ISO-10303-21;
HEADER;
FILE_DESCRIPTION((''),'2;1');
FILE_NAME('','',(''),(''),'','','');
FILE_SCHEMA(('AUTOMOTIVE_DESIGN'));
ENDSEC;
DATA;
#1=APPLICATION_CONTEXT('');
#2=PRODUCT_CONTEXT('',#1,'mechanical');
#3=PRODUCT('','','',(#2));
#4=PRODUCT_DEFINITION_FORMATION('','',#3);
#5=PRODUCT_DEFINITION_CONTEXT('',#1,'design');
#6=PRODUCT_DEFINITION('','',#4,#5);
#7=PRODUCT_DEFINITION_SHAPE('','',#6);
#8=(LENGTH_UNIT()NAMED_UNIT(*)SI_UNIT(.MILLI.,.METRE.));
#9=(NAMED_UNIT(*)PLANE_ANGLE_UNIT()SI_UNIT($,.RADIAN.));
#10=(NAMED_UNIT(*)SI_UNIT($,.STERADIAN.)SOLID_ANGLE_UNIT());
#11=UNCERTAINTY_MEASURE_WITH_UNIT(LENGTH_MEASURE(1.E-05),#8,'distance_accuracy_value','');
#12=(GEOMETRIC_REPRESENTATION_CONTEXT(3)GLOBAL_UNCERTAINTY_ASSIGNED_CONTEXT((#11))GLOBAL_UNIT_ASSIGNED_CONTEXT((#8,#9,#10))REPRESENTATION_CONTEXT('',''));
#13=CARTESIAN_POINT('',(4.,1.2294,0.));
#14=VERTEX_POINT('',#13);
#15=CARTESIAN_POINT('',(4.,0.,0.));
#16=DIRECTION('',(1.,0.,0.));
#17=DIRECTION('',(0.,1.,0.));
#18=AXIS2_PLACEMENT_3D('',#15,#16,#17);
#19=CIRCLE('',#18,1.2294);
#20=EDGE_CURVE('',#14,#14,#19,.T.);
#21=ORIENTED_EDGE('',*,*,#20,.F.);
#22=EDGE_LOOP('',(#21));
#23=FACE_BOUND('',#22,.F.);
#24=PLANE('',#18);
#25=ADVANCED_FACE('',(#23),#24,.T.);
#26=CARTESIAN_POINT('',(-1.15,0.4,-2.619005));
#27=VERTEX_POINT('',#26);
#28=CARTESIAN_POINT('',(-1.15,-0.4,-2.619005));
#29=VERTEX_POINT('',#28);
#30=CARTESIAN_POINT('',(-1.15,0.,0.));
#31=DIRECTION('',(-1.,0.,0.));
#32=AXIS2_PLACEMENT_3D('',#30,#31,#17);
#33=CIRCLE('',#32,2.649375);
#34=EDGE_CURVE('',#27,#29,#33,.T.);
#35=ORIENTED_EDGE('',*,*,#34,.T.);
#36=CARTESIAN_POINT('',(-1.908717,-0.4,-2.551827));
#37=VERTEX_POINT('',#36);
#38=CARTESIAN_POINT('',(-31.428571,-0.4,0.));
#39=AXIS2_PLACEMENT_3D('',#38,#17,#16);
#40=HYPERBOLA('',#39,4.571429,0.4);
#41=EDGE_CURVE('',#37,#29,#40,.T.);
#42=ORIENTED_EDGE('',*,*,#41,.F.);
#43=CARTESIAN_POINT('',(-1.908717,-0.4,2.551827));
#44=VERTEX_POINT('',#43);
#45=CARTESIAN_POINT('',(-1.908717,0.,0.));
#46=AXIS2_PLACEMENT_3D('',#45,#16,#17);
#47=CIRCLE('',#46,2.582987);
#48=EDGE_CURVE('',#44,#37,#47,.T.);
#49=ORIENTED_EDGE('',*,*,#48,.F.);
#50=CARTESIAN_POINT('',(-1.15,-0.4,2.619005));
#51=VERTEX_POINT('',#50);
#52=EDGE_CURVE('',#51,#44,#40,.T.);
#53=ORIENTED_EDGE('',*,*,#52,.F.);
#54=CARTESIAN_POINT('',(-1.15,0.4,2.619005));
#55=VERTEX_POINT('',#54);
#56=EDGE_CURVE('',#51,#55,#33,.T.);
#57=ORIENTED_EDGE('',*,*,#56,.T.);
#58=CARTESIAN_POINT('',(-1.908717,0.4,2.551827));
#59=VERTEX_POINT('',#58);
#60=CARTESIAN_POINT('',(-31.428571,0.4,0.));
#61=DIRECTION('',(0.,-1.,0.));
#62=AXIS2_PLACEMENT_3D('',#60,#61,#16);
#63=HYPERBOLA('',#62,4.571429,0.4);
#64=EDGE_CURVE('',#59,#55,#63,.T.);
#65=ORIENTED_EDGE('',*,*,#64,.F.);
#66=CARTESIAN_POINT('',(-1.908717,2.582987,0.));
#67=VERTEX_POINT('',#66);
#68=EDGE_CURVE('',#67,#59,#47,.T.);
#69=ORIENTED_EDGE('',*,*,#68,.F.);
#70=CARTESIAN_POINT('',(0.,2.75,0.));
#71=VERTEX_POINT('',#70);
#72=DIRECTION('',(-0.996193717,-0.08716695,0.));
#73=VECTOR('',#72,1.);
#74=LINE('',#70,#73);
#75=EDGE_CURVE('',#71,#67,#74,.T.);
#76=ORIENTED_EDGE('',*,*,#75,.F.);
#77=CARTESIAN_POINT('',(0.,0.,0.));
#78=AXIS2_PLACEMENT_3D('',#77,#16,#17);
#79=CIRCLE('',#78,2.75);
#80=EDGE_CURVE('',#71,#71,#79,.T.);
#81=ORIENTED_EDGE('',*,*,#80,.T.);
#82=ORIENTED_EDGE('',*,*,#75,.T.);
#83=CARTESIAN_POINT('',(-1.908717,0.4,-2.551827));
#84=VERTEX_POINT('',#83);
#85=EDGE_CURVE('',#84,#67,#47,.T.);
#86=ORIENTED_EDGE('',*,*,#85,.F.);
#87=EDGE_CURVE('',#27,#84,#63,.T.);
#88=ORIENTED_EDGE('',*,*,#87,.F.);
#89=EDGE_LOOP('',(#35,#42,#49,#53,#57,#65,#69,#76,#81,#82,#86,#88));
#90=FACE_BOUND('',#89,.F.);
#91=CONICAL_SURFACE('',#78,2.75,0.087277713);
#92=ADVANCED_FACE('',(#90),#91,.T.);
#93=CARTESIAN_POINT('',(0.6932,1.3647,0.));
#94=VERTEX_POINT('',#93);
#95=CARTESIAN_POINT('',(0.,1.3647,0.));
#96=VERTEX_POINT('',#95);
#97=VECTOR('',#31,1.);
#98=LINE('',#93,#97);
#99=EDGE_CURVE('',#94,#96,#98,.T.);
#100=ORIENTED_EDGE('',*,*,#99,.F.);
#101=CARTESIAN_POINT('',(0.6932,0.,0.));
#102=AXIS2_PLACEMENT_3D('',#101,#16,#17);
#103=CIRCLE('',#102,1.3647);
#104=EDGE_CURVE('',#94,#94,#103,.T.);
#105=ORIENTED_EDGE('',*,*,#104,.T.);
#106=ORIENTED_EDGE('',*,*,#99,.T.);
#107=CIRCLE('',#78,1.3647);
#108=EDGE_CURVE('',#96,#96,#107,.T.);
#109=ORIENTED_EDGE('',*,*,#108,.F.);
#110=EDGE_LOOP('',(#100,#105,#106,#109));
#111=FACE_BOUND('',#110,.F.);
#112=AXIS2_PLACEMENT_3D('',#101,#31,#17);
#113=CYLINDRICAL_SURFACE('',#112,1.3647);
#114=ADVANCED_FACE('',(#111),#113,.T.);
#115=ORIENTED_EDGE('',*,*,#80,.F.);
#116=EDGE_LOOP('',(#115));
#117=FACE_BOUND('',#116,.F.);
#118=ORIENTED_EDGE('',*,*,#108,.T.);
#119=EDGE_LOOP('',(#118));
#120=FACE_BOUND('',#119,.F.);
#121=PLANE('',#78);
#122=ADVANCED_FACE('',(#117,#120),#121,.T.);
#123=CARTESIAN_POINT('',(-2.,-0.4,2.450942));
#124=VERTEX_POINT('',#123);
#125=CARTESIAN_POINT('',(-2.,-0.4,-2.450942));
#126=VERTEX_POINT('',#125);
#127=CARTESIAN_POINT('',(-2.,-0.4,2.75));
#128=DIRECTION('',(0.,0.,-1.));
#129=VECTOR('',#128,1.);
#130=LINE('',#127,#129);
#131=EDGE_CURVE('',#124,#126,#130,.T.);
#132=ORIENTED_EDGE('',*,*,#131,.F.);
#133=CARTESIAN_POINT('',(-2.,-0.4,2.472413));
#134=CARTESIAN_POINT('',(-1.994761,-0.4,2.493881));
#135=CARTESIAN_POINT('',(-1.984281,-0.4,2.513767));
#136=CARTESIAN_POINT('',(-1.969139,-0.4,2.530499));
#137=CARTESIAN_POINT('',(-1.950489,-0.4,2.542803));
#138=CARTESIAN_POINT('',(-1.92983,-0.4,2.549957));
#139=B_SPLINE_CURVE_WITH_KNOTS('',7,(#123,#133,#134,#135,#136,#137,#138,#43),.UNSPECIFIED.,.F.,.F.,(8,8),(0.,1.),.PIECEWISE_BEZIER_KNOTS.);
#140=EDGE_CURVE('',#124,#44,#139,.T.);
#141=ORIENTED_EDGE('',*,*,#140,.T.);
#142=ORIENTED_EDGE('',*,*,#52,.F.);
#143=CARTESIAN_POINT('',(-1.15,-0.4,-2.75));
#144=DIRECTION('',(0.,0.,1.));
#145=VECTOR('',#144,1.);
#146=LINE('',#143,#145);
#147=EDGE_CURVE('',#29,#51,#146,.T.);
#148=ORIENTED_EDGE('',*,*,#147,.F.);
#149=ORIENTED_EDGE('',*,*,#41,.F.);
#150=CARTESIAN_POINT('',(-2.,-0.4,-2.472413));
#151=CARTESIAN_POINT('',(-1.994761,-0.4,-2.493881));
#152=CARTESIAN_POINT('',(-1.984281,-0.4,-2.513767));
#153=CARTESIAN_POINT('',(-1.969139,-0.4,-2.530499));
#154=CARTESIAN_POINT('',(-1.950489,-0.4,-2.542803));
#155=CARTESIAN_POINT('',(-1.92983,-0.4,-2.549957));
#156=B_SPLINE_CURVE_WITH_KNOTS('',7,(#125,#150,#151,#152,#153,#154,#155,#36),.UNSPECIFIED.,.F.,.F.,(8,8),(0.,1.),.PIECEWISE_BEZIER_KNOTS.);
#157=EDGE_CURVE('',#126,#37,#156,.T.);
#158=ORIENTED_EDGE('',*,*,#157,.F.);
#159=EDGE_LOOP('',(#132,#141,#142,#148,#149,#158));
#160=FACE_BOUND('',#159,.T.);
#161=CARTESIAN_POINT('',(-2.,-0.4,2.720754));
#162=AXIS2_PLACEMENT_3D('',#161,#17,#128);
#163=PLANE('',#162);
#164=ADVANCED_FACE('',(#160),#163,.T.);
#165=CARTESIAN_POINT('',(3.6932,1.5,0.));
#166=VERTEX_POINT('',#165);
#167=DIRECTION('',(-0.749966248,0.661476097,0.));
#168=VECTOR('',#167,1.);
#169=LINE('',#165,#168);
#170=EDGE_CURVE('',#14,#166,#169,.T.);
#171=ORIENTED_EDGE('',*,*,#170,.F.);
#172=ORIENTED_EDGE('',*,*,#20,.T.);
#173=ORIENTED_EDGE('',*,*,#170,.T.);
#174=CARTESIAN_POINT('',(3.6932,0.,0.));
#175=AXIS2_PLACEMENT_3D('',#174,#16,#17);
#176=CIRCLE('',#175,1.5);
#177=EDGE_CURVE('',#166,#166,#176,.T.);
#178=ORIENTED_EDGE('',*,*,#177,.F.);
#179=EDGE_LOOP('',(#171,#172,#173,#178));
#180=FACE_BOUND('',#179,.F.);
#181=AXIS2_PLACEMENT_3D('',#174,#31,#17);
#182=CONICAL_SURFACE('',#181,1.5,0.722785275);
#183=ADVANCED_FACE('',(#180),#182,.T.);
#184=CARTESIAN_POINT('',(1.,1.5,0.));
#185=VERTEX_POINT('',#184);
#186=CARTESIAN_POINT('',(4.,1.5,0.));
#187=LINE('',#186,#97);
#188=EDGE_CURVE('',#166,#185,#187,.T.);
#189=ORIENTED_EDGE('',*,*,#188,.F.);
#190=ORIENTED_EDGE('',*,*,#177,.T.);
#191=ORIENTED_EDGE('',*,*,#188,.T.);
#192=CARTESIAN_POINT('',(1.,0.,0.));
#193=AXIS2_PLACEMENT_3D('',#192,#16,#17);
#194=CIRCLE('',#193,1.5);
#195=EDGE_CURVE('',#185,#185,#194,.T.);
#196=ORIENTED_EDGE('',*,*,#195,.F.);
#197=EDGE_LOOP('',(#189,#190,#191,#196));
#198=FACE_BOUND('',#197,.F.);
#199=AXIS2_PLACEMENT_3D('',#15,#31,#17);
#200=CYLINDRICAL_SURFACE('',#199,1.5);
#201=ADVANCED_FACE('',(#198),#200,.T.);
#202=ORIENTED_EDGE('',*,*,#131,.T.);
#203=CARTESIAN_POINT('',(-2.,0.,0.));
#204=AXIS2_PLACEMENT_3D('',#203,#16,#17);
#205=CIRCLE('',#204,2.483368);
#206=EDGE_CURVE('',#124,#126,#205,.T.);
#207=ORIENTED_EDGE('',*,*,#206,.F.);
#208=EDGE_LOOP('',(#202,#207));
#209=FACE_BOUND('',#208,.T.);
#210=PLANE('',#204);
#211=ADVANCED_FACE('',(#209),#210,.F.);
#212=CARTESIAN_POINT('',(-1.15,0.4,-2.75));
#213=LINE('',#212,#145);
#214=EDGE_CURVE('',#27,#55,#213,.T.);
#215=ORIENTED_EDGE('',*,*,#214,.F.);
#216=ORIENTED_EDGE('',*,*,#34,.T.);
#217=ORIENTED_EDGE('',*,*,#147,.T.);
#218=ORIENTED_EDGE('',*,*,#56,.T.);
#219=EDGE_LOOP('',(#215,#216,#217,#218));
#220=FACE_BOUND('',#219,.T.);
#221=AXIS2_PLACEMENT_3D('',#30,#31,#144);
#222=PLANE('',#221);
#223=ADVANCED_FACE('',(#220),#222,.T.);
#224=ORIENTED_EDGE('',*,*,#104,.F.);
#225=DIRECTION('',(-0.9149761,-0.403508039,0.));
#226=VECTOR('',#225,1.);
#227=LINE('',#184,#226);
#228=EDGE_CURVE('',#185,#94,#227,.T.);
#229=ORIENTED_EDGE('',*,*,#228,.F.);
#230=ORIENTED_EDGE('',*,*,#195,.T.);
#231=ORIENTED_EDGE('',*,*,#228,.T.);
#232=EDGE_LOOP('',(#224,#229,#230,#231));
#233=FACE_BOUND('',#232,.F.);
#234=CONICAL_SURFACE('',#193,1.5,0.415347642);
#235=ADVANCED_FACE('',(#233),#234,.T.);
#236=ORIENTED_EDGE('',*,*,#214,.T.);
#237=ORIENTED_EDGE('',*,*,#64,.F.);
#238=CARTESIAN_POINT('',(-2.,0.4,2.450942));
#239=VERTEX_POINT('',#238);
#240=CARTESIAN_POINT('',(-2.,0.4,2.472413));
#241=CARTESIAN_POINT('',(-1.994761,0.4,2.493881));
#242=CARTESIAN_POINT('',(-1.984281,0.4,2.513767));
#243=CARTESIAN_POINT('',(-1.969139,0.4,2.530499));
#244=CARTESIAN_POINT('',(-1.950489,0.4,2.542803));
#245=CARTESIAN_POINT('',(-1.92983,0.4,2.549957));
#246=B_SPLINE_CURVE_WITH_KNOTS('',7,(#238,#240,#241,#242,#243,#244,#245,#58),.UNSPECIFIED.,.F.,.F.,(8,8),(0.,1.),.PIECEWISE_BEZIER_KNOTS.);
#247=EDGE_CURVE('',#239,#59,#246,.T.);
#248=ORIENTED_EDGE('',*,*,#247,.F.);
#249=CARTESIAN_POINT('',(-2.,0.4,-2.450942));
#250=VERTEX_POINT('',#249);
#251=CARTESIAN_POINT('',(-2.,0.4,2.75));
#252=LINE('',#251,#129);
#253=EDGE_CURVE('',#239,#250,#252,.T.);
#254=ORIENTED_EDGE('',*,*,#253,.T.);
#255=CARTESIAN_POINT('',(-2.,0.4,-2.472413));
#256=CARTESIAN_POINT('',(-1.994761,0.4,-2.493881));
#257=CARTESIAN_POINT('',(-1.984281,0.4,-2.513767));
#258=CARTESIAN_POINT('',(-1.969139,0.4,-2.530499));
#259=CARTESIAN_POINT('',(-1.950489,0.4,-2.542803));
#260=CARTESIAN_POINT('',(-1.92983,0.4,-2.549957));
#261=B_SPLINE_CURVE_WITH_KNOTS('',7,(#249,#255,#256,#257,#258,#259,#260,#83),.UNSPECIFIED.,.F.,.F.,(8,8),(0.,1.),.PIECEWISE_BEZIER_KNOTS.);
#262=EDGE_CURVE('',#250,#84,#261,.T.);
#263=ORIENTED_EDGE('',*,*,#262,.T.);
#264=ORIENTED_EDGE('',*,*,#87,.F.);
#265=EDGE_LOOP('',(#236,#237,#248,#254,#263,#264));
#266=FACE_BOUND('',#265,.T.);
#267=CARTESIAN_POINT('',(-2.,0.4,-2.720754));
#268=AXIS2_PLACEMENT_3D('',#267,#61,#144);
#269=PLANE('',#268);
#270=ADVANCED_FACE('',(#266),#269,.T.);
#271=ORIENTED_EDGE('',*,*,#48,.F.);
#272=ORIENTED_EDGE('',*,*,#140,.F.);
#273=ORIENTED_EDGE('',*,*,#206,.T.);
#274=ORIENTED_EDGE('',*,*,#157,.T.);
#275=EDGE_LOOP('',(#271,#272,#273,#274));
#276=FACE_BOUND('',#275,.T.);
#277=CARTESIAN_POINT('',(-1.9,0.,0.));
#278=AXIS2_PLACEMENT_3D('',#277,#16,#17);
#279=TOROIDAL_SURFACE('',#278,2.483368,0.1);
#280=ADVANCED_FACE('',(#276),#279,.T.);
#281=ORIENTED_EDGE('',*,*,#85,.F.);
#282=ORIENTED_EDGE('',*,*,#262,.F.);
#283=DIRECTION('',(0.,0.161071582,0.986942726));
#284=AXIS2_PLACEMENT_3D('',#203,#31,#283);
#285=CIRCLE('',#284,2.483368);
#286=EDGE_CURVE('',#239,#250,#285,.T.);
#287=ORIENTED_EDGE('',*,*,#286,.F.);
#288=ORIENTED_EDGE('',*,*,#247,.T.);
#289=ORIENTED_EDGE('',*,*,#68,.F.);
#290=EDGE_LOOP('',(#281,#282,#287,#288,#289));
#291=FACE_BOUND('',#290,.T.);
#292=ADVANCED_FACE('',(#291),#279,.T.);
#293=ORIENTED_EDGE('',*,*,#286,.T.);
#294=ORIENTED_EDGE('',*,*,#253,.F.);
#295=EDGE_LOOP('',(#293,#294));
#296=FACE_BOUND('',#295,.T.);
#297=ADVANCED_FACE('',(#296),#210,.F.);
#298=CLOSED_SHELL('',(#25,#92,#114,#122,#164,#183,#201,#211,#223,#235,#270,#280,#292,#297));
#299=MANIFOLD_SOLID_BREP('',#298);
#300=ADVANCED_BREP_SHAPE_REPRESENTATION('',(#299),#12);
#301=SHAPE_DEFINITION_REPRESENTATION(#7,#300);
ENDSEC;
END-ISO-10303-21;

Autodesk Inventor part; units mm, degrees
ref_plane "YZ Plane" through (0, 0, 0) normal (1, 0, 0) x (0, 1, 0)
ref_plane "XZ Plane" through (0, 0, 0) normal (0, 1, 0) x (-1, 0, 0)
sketch "Sketch1" plane through (0, 0, 0) normal (0, 0, 1) x (1, 0, 0)
  line L0 (-2, 0) -> (4, 0)
  line L1 (4, 0) -> (4, 1.5)
  line L2 (4, 1.5) -> (1, 1.5)
  line L3 (1, 1.5) -> (0.6932, 1.3647)
  line L4 (0.6932, 1.3647) -> (0, 1.3647)
  line L5 (0, 1.3647) -> (0, 2.75)
  line L6 (-3.2, 0) -> (5.2, 0) projected
  line L7 (0, -0.55) -> (0, 3.3) projected
  line L8 (-2, 0) -> (-2, 2.575)
  line L9 (0, 2.75) -> (-2, 2.575)
  line L10 (1, 1.5) -> (0, 1.5) construction
  dimension "d0" = 4
  dimension "d1" = 3
  dimension "d2" = 0.3068
  dimension "d3" = 2
  dimension "d4" = 3
  dimension "d5" = 2.7294
  dimension "d9" = 5.5
  dimension "d10" = 5
revolve "Body" add sketch "Sketch1" angle 360 about axis through (-2, 0, 0) along (1, 0, 0)
sketch "Sketch2" plane through (-2, 0, 0) normal (-1, 0, 0) x (0, 0, 1)
  circle A0 centre (0, 0) radius 2.75 projected
  line L0 (0, 0) -> (0, 2.575) projected
  line L1 (-2.75, 0.4) -> (2.75, 0.4)
  line L2 (2.75, 0.4) -> (2.75, -0.4)
  line L3 (2.75, -0.4) -> (-2.75, -0.4)
  line L4 (-2.75, -0.4) -> (-2.75, 0.4)
  line L5 (-2.75, 0) -> (2.75, 0) construction
  line L6 (0, 0.4) -> (0, -0.4) construction
  dimension "d11" = 0.8
  dimension "d12" = 5.5
fillet "Fillet1" radius 0.1 1 edges at (-2, -2.575, 0)
extrude "Slot" cut sketch "Sketch2" against normal blind 0.85 contours A0 L3 L1 | L2 L3 A0 | A0 L1 L2 | A0 L4 L1 | L3 L4 A0
thread "Thread" size "M3x0.5" class "6g" standard "ISO Metric profile" length 3
chamfer "Chamfer1" distance 0.2706 distance2 0.3068 1 edges at (4, -1.5, 0) measured on face at (4, 0.3743, -0.4914)
ref_plane "Work Plane1" through (30.1625, 0, 0) normal (0, 0, -1) x (1, 0, 0)
equation "\"d11\" = SBR"
equation "\"d12\" = KOD"
equation "\"d14\" = RR"
equation "\"d19\" = STI"
equation "\"d15\" = GEL"
equation "\"d17\" = -0.5 * SPD + 0.5 * GD"
equation "\"d0\" = NLG"
equation "\"d1\" = GEL"
equation "\"d3\" = KOH"
equation "\"d4\" = GD"
equation "\"d5\" = BDM"
equation "\"d9\" = KOD"
equation "\"d10\" = KEWI"
equation "\"GD\" = 3"
equation "\"NLG\" = 4"
equation "\"GEL\" = 3"
equation "\"KOD\" = 5.5"
equation "\"KOH\" = 2"
equation "\"GAL\" = 0.61345 * PTC"
equation "\"SPD\" = 2.45873"
equation "\"BDM\" = 2.72937"
equation "\"GUL\" = 0.61345 * PTC"
equation "\"RR\" = 0.1"
equation "\"SBR\" = 0.8"
equation "\"STI\" = 0.85"
equation "\"KEWI\" = 5deg"
equation "\"PTC\" = 0.5"
equation "\"THREADDIA\" = 3"
equation "\"TOA\" = 30deg"
equation "\"NND\" = 3"
equation "\"GD1\" = THREADDIA - 1.2269 * PTC"
properties part number "DIN 84 - M3 x 4" material "Steel, Mild"
